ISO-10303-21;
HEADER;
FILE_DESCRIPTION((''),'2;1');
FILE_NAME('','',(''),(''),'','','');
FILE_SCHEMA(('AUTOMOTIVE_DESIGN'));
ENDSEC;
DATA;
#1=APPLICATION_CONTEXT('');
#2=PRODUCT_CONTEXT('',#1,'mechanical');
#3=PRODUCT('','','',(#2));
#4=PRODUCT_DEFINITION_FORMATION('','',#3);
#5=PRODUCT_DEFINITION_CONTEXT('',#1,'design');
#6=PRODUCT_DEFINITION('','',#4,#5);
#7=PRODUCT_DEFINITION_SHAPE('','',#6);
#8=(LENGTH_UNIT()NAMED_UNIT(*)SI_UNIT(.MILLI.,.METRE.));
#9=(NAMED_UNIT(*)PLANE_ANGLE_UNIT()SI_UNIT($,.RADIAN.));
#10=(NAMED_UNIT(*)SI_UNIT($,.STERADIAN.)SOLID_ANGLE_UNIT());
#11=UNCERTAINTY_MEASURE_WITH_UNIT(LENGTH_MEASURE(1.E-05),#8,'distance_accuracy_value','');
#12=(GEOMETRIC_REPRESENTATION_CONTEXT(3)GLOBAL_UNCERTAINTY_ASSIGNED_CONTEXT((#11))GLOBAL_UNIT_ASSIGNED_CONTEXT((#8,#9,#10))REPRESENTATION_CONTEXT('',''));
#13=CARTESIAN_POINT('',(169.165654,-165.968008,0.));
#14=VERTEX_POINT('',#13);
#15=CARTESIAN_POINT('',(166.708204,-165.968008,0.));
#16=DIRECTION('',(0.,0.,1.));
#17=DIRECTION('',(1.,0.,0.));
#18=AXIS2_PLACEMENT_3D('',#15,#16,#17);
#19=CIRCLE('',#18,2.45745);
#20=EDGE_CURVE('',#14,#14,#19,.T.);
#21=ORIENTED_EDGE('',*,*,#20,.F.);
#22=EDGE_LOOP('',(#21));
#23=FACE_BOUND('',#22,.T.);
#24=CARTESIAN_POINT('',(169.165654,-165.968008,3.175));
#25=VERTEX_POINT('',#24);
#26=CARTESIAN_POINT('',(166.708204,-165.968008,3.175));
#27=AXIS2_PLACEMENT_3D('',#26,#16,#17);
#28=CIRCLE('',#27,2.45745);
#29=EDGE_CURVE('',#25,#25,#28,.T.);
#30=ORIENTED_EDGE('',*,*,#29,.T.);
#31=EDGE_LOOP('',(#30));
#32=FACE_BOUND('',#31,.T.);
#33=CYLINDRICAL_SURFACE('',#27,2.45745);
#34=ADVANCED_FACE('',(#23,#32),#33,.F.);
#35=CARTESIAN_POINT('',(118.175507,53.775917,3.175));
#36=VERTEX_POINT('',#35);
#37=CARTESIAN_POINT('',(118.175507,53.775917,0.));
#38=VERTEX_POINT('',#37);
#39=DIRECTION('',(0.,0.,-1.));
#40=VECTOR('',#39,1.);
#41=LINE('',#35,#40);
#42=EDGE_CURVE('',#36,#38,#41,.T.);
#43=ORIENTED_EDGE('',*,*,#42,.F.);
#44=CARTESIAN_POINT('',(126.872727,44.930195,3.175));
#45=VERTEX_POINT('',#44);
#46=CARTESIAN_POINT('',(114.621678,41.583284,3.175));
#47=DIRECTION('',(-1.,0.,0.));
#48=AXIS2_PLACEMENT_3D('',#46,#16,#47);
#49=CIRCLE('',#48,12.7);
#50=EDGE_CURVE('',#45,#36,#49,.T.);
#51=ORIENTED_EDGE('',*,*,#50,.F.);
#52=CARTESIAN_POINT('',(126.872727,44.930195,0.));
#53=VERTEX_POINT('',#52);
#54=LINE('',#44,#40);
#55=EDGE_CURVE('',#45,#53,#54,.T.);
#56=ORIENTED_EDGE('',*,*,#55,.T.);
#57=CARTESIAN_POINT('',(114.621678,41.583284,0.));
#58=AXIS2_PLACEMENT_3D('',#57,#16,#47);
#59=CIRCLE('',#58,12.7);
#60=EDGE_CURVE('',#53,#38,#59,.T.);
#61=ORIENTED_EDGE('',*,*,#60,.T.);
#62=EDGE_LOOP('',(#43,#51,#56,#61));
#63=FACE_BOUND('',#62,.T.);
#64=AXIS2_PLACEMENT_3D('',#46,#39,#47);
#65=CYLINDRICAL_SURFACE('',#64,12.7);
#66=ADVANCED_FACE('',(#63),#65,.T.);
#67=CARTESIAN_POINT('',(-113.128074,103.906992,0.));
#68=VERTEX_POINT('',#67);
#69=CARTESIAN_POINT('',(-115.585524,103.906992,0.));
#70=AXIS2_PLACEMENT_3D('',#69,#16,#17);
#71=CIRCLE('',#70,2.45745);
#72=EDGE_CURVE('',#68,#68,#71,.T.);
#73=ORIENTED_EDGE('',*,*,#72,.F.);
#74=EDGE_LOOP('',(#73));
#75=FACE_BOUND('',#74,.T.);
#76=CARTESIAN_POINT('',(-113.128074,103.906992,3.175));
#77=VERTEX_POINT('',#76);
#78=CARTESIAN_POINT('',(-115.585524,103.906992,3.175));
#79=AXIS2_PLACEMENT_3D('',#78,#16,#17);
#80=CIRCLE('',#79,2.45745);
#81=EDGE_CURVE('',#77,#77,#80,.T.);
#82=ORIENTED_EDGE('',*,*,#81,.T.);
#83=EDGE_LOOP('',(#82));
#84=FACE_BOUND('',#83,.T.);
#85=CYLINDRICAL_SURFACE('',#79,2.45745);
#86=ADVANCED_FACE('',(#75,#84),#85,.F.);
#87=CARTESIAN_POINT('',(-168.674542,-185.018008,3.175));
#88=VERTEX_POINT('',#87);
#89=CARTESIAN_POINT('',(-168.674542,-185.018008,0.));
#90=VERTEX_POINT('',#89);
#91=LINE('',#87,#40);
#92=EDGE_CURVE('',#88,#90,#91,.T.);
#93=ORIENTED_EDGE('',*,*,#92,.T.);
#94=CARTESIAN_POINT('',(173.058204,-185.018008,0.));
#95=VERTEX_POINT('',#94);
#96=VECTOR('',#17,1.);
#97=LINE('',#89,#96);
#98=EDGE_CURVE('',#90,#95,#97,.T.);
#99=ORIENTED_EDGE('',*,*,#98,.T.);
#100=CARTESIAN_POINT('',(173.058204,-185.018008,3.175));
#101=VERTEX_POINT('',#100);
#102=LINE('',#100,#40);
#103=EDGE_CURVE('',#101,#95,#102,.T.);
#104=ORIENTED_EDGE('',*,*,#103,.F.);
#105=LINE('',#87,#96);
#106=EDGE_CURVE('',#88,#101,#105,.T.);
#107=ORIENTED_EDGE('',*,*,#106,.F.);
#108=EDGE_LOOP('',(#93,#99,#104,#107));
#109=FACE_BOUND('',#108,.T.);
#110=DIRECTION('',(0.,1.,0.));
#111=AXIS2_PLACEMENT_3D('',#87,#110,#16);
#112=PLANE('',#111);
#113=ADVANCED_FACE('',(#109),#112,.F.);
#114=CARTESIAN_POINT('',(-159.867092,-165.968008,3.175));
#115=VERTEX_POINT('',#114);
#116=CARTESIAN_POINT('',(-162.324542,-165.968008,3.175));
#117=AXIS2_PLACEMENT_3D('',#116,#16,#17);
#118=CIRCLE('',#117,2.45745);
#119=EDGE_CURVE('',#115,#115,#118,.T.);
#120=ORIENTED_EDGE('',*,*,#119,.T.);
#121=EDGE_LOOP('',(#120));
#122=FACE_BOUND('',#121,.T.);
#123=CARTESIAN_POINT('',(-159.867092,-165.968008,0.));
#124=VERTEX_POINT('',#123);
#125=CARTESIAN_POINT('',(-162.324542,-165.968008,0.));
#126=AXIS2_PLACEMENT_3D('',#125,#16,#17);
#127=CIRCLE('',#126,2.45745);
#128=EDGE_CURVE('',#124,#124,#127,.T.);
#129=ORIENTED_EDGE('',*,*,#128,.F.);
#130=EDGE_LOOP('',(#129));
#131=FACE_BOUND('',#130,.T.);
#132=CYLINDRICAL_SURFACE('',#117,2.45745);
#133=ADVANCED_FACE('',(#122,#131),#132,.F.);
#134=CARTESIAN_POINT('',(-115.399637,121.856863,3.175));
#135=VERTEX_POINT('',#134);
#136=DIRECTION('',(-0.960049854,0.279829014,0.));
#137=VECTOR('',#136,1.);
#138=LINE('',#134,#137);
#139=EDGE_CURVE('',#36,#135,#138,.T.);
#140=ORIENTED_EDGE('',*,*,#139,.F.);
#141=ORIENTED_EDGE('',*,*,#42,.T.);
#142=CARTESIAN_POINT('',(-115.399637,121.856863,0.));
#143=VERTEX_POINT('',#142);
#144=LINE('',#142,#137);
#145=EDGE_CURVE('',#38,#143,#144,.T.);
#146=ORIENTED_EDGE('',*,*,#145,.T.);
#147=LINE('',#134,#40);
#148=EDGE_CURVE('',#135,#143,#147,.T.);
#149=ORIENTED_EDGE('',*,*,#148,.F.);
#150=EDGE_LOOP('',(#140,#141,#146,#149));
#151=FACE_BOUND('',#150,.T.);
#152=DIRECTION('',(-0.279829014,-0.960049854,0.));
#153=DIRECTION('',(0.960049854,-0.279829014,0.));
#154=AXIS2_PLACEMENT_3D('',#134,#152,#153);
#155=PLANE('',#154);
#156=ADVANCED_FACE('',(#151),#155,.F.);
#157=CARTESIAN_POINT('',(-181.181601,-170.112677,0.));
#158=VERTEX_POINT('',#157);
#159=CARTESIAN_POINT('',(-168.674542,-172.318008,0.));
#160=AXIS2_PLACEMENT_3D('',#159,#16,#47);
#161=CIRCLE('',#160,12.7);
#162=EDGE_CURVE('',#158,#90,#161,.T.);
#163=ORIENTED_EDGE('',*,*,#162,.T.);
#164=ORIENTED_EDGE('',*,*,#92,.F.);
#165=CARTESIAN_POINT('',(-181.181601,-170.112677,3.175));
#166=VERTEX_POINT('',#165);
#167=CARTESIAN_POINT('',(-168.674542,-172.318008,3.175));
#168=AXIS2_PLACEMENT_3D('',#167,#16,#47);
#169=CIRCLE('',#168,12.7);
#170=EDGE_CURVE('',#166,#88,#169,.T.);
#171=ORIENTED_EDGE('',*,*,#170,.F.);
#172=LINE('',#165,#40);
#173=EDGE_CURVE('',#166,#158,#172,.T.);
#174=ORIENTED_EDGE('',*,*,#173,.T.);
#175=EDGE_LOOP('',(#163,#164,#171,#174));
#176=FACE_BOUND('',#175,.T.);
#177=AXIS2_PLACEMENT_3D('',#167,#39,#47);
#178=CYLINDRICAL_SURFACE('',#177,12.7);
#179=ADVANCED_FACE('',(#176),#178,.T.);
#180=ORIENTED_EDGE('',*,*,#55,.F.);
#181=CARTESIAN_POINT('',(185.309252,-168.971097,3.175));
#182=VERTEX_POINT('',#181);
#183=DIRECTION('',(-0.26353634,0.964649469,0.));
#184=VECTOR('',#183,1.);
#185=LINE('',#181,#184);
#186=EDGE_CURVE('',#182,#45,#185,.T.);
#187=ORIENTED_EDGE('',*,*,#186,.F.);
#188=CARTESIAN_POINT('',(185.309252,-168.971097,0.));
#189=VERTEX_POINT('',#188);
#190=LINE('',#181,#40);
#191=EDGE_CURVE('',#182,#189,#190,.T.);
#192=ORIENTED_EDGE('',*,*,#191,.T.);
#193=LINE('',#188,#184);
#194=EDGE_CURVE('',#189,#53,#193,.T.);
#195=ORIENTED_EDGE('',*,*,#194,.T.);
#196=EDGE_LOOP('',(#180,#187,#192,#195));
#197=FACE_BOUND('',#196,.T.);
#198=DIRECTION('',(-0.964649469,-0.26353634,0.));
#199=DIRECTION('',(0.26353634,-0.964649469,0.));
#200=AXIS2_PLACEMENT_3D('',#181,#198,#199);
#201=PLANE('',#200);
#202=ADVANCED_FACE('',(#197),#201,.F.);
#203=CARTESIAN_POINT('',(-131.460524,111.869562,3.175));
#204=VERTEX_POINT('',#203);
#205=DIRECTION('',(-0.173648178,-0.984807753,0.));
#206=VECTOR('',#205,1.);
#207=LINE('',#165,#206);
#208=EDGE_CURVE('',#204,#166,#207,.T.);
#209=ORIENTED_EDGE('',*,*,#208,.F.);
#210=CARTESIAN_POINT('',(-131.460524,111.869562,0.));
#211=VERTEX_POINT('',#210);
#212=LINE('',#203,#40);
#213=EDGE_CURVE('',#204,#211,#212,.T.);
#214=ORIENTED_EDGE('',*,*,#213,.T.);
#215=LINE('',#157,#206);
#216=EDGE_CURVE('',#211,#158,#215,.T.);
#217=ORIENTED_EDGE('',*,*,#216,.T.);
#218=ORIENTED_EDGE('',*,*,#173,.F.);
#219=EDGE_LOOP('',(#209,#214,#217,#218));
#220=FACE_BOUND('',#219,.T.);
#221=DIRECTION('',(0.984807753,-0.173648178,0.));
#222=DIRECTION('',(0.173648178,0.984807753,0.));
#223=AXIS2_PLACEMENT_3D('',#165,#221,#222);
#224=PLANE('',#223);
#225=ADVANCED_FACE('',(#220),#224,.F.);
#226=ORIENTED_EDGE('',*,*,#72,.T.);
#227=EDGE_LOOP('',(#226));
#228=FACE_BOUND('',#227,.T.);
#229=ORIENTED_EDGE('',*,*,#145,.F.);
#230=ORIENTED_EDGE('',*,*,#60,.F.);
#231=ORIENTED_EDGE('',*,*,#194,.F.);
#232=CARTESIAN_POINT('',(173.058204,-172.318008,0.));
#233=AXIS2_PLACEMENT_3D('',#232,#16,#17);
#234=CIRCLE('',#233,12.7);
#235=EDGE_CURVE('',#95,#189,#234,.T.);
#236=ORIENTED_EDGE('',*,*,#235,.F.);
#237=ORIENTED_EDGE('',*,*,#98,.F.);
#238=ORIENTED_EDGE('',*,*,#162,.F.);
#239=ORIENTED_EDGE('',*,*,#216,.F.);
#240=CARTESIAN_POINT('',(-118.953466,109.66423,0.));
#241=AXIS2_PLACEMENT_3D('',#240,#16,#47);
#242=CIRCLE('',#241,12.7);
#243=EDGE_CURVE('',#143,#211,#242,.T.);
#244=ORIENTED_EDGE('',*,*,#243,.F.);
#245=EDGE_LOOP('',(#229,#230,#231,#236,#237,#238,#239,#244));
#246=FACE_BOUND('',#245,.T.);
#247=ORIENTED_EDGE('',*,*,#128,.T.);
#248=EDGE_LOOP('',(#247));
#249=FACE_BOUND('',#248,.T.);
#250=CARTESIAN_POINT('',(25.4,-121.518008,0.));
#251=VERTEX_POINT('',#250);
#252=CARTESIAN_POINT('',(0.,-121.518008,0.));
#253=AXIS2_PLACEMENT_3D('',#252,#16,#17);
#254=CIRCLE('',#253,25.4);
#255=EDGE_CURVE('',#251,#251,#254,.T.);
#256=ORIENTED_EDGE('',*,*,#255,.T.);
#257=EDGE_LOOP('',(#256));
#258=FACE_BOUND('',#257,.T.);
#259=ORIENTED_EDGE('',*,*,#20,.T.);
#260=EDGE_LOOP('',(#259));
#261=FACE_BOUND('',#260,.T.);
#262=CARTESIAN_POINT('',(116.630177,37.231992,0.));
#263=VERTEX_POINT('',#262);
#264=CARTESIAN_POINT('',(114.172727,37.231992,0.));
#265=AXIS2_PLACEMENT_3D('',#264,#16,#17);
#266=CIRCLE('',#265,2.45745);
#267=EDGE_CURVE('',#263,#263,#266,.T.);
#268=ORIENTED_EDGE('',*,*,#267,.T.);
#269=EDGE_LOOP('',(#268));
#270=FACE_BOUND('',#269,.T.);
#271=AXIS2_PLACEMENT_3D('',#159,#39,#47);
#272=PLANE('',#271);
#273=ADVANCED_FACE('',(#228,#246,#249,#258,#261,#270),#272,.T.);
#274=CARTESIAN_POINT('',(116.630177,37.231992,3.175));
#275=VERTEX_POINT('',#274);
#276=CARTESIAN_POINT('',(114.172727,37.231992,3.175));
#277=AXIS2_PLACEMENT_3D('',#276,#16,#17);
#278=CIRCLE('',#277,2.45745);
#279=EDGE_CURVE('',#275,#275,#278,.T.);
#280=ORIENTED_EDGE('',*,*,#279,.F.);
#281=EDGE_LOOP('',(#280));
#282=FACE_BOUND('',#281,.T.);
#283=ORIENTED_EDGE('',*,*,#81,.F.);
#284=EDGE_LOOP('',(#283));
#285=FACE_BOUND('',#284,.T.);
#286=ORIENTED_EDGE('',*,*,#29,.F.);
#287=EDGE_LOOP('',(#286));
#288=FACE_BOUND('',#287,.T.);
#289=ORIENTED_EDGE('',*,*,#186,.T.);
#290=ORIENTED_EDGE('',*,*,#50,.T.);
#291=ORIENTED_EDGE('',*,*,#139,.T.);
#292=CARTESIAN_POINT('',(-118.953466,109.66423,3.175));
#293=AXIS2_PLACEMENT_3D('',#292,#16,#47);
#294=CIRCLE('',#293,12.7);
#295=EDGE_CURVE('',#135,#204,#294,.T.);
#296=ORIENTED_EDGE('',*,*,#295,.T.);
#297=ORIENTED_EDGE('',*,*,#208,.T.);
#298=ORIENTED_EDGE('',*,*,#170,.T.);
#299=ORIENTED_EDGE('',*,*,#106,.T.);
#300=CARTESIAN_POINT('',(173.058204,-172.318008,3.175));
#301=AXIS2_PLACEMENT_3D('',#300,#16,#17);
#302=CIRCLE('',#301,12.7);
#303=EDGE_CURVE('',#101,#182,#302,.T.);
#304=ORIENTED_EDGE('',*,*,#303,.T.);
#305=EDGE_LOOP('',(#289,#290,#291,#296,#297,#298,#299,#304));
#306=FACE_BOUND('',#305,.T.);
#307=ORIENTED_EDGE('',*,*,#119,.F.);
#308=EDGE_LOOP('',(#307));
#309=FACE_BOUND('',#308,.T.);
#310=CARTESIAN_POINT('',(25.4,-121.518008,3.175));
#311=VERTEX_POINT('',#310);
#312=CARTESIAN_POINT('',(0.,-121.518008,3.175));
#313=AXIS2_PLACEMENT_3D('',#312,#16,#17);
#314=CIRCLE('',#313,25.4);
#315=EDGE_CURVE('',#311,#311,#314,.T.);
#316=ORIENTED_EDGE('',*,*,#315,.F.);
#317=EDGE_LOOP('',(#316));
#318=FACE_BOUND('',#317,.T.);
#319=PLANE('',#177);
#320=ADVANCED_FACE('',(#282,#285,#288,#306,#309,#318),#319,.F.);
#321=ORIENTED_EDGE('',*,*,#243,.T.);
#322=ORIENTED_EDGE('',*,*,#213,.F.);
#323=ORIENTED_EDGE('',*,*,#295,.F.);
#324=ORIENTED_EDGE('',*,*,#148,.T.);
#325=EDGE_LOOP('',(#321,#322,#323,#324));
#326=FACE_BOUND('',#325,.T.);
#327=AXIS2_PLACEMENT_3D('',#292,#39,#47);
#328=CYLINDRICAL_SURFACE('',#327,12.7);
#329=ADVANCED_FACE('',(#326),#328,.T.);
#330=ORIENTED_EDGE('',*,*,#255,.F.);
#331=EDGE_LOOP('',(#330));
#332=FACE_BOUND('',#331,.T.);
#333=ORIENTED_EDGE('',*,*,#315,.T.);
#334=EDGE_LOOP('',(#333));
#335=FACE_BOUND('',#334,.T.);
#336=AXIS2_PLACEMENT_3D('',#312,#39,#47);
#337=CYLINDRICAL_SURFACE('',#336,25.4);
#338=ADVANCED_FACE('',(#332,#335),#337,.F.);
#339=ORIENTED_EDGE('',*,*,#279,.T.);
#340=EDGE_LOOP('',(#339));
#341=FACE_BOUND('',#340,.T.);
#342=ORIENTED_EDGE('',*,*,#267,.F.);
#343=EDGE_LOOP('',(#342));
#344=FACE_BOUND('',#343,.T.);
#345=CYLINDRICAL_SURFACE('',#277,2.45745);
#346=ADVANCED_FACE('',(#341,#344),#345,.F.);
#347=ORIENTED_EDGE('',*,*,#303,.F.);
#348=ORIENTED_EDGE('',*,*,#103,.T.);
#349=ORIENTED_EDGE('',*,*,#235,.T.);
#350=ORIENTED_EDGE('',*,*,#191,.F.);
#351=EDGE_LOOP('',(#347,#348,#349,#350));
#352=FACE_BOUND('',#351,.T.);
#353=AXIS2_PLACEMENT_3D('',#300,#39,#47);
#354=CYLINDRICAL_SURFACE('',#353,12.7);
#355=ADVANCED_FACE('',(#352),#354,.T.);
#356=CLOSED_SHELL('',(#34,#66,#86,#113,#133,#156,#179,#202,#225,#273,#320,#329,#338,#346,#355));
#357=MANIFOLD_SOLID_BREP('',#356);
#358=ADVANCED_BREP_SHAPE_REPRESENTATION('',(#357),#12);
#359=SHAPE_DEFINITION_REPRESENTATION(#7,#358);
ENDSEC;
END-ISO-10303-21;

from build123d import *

# Parameters (mm, degrees)
SKETCH1_R                    = 25.4
BOSS_EXTRUDE1_DEPTH          = 3.175
F_10_0_1935_DIAMETER_HOLE1_D = 4.9149


with BuildPart() as part:
    # Sketch1 → Boss-Extrude1 (new body)
    with BuildSketch(Plane.XY):
        with BuildLine():
            Line((-115.39963726, 121.856862886), (118.175506769, 53.775916926))
            ThreePointArc((118.175506769, 53.775916926), (123.677628265, 50.487202579), (126.872726544, 44.930195291))
            Line((126.872726544, 44.930195291), (185.309252431, -168.971096981))
            ThreePointArc((185.309252431, -168.971096981), (183.152652559, -180.024636286), (173.058204177, -185.018008497))
            Line((173.058204177, -185.018008497), (-168.674542419, -185.018008497))
            ThreePointArc((-168.674542419, -185.018008497), (-178.403306847, -180.48141114), (-181.181600882, -170.112676641))
            Line((-181.181600882, -170.112676641), (-131.460524201, 111.869561592))
            ThreePointArc((-131.460524201, 111.869561592), (-125.659927441, 120.449097441), (-115.39963726, 121.856862886))
        make_face()
        with Locations((0, -121.518008497)):
            Circle(SKETCH1_R, mode=Mode.SUBTRACT)
    extrude(amount=BOSS_EXTRUDE1_DEPTH)

    # #10 (0.1935) Diameter Hole1 (through all)
    with Locations(Plane.XY.offset(3.175)):
        with Locations((-115.585524201, 103.906991503), (114.172726544, 37.231991503), (166.708204177, -165.968008497), (-162.324542419, -165.968008497)):
            Hole(F_10_0_1935_DIAMETER_HOLE1_D / 2)


solid = part.part
